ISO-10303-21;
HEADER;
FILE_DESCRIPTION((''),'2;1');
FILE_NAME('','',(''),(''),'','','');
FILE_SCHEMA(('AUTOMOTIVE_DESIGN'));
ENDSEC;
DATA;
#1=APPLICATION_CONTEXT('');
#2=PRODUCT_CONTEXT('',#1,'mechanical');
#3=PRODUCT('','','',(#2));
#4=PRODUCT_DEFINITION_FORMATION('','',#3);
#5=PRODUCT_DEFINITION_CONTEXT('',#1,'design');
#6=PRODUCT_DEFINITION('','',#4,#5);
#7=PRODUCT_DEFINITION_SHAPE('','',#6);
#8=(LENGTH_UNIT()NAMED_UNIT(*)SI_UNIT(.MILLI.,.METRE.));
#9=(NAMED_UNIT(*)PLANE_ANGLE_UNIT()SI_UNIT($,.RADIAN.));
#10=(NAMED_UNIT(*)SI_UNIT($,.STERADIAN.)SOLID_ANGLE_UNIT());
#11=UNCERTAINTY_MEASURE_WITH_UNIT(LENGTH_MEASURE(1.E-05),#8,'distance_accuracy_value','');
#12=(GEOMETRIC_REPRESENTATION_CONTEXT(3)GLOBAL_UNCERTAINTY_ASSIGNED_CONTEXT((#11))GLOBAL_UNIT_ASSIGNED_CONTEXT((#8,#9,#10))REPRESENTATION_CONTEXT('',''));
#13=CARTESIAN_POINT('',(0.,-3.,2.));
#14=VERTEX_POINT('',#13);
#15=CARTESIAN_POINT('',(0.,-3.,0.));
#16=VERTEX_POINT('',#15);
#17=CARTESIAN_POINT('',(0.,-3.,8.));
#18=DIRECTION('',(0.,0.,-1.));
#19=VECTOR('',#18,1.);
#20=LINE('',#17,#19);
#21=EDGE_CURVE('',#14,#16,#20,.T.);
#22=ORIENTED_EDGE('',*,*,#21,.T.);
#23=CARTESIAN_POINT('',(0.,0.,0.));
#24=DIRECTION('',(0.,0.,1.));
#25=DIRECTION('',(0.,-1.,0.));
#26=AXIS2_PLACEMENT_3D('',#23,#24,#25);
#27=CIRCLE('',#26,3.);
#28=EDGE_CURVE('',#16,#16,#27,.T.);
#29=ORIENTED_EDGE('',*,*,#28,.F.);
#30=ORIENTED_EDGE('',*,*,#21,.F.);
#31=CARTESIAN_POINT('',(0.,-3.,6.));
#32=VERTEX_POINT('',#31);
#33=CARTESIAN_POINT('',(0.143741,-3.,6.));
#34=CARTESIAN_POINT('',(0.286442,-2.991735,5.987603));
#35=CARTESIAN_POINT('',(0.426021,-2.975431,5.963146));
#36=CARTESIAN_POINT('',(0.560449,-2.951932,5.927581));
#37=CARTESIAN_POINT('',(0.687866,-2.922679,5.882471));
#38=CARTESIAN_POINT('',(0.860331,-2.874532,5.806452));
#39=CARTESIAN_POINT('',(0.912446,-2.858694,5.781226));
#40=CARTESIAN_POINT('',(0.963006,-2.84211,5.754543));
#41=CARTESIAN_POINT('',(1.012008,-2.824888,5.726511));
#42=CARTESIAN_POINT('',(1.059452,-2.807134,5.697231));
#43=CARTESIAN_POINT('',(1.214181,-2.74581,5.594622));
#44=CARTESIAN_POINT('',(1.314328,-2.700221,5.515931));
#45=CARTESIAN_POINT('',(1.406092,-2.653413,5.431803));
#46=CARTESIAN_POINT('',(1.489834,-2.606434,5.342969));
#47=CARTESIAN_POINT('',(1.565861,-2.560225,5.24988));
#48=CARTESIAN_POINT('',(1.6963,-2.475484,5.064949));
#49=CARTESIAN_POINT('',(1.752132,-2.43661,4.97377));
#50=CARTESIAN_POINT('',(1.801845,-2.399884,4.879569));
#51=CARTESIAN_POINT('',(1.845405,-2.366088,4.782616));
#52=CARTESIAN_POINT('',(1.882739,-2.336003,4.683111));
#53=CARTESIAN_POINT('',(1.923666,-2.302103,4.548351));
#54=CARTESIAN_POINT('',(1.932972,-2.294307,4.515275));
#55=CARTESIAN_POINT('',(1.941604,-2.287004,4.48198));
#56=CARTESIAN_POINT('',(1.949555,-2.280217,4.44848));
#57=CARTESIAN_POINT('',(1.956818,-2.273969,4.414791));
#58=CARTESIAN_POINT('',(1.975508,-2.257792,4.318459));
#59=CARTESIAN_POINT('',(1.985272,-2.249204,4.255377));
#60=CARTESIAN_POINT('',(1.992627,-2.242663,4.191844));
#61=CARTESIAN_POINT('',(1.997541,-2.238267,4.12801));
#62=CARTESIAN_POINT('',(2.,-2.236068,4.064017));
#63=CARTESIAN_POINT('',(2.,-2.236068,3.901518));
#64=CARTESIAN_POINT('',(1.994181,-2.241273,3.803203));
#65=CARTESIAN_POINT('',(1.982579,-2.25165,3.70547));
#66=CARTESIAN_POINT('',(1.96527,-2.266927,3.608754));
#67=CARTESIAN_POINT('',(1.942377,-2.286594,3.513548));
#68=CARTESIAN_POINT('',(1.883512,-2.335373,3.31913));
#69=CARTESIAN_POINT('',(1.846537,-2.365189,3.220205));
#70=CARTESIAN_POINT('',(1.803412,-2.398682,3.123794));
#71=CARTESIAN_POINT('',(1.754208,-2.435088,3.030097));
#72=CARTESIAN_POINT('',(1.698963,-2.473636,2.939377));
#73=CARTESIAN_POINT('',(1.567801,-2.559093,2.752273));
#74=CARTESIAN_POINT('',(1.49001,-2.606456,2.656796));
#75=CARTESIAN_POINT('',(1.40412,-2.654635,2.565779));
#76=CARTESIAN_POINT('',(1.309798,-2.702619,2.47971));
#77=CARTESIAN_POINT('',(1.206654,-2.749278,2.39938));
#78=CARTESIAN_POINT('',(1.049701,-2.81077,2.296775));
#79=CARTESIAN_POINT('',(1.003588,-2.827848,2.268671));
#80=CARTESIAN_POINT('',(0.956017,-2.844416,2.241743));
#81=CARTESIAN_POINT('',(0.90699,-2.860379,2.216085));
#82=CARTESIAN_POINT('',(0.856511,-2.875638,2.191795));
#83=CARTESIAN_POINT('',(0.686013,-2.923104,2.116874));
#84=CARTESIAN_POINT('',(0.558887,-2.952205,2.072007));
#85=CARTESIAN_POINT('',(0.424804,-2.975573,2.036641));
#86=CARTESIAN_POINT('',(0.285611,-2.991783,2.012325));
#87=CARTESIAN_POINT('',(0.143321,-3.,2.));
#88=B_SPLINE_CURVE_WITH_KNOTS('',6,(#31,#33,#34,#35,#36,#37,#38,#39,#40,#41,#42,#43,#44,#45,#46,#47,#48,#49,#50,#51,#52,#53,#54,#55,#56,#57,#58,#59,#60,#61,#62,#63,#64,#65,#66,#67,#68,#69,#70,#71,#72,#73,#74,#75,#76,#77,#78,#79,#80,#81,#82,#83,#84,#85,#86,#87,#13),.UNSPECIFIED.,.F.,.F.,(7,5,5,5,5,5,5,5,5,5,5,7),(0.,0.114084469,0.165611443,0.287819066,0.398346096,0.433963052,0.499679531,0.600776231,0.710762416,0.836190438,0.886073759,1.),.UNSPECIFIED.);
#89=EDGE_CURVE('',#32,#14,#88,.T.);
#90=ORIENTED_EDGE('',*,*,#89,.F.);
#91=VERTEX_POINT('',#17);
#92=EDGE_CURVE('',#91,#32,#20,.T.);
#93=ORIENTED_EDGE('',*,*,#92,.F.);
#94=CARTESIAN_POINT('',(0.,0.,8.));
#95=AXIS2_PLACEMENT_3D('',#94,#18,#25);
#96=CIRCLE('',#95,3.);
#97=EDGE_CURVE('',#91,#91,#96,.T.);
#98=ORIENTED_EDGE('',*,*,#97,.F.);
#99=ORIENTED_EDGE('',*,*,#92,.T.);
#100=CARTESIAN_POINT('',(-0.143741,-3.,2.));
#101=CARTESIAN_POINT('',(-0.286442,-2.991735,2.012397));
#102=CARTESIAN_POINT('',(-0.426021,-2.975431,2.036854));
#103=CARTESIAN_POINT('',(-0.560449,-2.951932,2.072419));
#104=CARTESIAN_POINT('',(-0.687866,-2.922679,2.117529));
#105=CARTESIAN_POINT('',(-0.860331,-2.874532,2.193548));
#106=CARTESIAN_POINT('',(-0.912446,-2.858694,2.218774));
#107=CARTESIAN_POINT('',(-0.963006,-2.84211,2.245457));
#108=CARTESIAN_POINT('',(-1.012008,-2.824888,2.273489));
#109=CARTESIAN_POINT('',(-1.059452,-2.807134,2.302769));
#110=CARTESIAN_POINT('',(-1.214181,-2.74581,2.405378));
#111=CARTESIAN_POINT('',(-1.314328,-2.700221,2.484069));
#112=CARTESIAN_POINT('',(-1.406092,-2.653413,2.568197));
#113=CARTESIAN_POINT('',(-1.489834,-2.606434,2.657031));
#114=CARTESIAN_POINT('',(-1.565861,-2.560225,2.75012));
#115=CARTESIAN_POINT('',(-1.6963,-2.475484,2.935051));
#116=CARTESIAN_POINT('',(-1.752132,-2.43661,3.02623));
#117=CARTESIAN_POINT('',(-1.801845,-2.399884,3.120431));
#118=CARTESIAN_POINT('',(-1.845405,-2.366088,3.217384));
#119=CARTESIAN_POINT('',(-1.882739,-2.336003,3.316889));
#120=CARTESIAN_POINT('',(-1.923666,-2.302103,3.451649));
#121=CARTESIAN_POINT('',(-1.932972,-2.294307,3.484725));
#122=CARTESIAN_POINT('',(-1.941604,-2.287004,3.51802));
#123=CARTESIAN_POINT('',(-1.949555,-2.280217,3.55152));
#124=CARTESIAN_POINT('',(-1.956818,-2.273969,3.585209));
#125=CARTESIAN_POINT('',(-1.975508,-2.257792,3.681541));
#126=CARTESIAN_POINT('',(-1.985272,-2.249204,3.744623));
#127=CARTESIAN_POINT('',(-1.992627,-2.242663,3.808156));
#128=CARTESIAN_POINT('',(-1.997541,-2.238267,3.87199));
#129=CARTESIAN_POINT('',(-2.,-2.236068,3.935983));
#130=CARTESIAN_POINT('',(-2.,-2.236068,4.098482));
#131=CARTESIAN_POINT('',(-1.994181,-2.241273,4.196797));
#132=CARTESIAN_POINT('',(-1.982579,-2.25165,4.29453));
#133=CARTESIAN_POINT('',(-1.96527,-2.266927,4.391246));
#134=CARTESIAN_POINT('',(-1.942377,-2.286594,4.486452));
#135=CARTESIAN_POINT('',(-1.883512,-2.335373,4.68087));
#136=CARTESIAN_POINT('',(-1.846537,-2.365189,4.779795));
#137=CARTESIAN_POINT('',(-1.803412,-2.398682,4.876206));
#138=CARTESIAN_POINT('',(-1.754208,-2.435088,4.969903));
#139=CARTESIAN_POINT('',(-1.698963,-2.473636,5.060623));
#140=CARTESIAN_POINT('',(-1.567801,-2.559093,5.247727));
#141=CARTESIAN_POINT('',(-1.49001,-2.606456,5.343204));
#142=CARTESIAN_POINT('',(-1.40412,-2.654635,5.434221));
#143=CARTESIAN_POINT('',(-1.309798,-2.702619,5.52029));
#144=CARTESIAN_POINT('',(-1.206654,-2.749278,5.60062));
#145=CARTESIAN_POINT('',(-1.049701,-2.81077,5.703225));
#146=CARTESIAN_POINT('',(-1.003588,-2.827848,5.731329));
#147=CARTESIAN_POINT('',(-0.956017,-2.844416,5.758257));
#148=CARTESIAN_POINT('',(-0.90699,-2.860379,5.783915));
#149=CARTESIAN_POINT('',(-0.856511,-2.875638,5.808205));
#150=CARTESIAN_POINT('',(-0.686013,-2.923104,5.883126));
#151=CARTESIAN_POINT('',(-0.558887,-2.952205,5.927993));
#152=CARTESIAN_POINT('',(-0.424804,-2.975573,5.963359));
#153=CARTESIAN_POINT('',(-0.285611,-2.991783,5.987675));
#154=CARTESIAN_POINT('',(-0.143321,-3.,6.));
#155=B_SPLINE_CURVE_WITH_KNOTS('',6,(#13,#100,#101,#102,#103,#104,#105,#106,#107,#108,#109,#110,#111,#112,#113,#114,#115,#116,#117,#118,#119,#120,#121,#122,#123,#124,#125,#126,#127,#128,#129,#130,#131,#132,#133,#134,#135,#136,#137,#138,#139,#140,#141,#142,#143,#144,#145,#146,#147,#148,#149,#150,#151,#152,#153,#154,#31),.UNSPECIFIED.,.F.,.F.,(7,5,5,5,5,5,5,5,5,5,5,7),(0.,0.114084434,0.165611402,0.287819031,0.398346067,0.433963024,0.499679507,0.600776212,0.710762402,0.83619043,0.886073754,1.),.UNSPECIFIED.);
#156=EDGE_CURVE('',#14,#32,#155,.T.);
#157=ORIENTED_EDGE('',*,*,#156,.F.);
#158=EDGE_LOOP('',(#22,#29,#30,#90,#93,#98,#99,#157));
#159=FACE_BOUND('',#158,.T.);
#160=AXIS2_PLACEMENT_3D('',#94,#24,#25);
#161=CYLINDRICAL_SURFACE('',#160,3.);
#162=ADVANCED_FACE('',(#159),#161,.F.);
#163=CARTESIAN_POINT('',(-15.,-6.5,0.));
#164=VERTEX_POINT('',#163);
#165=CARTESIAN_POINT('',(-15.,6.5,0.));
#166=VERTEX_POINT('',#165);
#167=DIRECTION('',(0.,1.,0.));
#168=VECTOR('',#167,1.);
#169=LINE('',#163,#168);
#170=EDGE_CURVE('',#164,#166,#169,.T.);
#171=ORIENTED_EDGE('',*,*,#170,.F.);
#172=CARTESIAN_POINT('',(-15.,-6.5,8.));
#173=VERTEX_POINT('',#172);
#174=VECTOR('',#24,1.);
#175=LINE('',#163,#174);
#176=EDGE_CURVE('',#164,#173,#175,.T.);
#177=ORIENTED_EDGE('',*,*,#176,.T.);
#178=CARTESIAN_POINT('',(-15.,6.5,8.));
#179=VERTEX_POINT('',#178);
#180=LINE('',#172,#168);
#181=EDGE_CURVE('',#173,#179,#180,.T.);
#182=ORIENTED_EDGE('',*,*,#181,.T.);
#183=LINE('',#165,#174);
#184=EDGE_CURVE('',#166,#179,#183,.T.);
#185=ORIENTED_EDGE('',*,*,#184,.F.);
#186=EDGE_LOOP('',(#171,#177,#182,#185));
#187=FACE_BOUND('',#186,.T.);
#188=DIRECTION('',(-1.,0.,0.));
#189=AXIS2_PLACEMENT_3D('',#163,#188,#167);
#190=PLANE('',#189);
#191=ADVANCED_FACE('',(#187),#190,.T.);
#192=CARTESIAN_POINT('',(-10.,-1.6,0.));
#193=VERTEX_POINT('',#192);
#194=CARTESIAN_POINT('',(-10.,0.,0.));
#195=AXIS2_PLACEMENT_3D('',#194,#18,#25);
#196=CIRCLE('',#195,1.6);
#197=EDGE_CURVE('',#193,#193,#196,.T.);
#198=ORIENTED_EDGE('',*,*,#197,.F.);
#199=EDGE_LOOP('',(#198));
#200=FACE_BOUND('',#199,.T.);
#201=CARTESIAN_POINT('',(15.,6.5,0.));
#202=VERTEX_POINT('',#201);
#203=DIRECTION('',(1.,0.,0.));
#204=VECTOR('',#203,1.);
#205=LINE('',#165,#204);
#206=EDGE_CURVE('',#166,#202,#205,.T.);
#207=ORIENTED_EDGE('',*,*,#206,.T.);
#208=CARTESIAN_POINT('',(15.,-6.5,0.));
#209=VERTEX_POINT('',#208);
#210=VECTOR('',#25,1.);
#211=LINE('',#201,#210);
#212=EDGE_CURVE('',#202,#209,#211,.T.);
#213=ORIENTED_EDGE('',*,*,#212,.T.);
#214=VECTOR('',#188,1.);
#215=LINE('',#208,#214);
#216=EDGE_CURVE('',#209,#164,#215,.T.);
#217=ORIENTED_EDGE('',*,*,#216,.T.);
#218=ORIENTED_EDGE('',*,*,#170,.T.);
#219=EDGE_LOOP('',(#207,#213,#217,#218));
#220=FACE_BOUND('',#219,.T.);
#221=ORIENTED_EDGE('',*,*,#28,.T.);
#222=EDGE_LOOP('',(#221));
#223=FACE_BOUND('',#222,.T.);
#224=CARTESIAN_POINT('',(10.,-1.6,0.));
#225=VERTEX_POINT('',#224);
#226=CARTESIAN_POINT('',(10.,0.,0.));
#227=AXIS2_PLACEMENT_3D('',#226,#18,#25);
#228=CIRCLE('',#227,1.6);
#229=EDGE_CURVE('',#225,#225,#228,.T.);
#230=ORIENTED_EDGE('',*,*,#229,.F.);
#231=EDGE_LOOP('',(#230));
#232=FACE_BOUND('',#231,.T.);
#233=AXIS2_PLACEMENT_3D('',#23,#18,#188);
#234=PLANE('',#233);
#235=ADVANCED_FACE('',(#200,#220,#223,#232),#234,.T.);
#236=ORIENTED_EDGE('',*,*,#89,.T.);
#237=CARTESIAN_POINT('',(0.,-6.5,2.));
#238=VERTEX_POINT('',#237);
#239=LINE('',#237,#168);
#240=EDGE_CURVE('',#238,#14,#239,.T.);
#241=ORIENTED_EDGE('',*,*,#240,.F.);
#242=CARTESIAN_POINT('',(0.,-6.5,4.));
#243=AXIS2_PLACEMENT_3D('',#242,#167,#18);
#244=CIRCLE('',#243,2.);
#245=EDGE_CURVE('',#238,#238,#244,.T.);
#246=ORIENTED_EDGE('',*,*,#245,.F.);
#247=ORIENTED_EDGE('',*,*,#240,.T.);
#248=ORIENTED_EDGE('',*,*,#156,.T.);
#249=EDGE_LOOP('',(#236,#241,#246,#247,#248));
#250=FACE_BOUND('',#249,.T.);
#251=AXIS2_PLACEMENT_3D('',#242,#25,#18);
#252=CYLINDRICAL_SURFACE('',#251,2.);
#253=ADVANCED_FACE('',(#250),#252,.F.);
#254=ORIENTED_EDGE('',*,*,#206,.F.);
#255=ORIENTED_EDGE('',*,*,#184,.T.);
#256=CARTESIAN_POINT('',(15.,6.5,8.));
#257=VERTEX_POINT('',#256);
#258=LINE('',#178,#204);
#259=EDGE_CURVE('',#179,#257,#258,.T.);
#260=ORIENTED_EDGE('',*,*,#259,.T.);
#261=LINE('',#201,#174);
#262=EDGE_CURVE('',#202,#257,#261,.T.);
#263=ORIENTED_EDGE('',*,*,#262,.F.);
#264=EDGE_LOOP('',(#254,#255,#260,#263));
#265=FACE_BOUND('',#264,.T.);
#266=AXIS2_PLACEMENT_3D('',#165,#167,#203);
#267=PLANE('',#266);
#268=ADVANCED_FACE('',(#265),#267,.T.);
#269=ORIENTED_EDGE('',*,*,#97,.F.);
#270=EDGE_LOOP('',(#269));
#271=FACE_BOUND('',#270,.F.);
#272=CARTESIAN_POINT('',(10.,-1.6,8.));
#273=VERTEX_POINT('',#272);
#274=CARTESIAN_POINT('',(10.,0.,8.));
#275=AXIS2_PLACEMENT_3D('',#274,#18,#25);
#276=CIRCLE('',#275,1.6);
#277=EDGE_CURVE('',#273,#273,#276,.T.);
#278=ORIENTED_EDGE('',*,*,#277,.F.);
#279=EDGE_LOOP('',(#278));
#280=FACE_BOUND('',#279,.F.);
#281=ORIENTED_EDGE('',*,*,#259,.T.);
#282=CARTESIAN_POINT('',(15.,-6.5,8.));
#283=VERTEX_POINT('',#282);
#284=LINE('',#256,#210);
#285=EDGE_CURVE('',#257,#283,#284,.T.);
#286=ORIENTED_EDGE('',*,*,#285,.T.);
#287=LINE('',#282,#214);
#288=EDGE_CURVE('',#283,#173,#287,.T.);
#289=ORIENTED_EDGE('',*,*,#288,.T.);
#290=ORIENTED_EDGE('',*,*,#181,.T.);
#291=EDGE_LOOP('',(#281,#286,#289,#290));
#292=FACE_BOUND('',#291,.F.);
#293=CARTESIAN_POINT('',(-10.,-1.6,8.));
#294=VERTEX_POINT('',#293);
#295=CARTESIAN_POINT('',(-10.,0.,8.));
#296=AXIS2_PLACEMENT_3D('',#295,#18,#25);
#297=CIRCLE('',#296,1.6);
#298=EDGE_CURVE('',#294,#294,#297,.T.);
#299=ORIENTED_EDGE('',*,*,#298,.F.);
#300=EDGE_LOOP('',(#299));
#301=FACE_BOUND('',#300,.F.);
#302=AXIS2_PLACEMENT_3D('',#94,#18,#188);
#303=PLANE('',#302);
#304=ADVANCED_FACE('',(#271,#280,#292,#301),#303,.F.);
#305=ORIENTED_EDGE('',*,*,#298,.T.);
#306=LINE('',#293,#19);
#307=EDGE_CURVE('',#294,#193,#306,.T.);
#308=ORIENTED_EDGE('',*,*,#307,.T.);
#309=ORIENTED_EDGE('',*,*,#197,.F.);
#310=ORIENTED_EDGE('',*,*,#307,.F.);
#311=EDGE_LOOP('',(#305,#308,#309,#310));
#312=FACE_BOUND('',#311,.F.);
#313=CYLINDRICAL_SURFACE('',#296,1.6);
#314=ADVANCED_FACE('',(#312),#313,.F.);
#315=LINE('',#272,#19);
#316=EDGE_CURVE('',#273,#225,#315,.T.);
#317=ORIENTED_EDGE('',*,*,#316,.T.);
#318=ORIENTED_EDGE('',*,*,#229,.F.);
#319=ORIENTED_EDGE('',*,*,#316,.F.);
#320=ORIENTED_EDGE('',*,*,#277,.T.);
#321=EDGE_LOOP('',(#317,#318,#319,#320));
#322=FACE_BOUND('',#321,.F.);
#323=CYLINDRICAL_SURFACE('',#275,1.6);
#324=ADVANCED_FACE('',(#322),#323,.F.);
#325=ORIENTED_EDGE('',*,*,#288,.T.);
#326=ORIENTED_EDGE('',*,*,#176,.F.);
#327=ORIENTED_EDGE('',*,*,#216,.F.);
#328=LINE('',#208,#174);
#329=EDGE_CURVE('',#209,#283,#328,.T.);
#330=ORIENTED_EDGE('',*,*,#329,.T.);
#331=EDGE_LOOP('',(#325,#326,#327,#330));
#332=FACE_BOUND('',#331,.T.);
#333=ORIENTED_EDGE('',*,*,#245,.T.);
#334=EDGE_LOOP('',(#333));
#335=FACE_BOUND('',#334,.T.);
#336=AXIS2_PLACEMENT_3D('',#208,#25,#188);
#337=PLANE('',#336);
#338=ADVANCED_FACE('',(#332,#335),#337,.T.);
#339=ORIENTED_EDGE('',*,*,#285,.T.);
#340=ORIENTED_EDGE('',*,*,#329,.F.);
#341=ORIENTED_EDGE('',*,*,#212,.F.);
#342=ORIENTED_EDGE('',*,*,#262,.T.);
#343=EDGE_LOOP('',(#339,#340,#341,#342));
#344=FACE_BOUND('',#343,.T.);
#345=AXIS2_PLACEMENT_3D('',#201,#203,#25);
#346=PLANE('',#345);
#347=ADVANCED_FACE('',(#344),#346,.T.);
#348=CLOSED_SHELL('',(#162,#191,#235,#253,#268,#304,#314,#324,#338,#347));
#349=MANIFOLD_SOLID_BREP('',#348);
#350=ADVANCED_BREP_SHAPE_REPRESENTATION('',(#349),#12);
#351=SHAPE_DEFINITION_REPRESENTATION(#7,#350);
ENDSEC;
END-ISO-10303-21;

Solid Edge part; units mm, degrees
sketch "Sketch1" plane through (0, 0, 0) normal (0, 0, 1) x (1, 0, 0)
  line L0 (15, -6.5) -> (-15, -6.5)
  line L1 (-15, -6.5) -> (-15, 6.5)
  line L2 (-15, 6.5) -> (15, 6.5)
  line L3 (15, 6.5) -> (15, -6.5)
  dimension "D1" = 30
  dimension "D2" = 13
extrude "Protrusion1" add sketch "Sketch1" along normal blind 8
hole "Hole_1" at (0, 0, 8) direction (0, 0, -1) diameter 6 end through all
hole "Hole_2" at (0, -6.5, 4) direction (0, 1, 0) diameter 4 end up to next
hole "Hole_3" at (-10, 0, 8) direction (0, 0, -1) diameter 3.2 depth 140
hole "Hole1" at (10, 0, 8) direction (0, 0, -1) diameter 3.2 depth 140
